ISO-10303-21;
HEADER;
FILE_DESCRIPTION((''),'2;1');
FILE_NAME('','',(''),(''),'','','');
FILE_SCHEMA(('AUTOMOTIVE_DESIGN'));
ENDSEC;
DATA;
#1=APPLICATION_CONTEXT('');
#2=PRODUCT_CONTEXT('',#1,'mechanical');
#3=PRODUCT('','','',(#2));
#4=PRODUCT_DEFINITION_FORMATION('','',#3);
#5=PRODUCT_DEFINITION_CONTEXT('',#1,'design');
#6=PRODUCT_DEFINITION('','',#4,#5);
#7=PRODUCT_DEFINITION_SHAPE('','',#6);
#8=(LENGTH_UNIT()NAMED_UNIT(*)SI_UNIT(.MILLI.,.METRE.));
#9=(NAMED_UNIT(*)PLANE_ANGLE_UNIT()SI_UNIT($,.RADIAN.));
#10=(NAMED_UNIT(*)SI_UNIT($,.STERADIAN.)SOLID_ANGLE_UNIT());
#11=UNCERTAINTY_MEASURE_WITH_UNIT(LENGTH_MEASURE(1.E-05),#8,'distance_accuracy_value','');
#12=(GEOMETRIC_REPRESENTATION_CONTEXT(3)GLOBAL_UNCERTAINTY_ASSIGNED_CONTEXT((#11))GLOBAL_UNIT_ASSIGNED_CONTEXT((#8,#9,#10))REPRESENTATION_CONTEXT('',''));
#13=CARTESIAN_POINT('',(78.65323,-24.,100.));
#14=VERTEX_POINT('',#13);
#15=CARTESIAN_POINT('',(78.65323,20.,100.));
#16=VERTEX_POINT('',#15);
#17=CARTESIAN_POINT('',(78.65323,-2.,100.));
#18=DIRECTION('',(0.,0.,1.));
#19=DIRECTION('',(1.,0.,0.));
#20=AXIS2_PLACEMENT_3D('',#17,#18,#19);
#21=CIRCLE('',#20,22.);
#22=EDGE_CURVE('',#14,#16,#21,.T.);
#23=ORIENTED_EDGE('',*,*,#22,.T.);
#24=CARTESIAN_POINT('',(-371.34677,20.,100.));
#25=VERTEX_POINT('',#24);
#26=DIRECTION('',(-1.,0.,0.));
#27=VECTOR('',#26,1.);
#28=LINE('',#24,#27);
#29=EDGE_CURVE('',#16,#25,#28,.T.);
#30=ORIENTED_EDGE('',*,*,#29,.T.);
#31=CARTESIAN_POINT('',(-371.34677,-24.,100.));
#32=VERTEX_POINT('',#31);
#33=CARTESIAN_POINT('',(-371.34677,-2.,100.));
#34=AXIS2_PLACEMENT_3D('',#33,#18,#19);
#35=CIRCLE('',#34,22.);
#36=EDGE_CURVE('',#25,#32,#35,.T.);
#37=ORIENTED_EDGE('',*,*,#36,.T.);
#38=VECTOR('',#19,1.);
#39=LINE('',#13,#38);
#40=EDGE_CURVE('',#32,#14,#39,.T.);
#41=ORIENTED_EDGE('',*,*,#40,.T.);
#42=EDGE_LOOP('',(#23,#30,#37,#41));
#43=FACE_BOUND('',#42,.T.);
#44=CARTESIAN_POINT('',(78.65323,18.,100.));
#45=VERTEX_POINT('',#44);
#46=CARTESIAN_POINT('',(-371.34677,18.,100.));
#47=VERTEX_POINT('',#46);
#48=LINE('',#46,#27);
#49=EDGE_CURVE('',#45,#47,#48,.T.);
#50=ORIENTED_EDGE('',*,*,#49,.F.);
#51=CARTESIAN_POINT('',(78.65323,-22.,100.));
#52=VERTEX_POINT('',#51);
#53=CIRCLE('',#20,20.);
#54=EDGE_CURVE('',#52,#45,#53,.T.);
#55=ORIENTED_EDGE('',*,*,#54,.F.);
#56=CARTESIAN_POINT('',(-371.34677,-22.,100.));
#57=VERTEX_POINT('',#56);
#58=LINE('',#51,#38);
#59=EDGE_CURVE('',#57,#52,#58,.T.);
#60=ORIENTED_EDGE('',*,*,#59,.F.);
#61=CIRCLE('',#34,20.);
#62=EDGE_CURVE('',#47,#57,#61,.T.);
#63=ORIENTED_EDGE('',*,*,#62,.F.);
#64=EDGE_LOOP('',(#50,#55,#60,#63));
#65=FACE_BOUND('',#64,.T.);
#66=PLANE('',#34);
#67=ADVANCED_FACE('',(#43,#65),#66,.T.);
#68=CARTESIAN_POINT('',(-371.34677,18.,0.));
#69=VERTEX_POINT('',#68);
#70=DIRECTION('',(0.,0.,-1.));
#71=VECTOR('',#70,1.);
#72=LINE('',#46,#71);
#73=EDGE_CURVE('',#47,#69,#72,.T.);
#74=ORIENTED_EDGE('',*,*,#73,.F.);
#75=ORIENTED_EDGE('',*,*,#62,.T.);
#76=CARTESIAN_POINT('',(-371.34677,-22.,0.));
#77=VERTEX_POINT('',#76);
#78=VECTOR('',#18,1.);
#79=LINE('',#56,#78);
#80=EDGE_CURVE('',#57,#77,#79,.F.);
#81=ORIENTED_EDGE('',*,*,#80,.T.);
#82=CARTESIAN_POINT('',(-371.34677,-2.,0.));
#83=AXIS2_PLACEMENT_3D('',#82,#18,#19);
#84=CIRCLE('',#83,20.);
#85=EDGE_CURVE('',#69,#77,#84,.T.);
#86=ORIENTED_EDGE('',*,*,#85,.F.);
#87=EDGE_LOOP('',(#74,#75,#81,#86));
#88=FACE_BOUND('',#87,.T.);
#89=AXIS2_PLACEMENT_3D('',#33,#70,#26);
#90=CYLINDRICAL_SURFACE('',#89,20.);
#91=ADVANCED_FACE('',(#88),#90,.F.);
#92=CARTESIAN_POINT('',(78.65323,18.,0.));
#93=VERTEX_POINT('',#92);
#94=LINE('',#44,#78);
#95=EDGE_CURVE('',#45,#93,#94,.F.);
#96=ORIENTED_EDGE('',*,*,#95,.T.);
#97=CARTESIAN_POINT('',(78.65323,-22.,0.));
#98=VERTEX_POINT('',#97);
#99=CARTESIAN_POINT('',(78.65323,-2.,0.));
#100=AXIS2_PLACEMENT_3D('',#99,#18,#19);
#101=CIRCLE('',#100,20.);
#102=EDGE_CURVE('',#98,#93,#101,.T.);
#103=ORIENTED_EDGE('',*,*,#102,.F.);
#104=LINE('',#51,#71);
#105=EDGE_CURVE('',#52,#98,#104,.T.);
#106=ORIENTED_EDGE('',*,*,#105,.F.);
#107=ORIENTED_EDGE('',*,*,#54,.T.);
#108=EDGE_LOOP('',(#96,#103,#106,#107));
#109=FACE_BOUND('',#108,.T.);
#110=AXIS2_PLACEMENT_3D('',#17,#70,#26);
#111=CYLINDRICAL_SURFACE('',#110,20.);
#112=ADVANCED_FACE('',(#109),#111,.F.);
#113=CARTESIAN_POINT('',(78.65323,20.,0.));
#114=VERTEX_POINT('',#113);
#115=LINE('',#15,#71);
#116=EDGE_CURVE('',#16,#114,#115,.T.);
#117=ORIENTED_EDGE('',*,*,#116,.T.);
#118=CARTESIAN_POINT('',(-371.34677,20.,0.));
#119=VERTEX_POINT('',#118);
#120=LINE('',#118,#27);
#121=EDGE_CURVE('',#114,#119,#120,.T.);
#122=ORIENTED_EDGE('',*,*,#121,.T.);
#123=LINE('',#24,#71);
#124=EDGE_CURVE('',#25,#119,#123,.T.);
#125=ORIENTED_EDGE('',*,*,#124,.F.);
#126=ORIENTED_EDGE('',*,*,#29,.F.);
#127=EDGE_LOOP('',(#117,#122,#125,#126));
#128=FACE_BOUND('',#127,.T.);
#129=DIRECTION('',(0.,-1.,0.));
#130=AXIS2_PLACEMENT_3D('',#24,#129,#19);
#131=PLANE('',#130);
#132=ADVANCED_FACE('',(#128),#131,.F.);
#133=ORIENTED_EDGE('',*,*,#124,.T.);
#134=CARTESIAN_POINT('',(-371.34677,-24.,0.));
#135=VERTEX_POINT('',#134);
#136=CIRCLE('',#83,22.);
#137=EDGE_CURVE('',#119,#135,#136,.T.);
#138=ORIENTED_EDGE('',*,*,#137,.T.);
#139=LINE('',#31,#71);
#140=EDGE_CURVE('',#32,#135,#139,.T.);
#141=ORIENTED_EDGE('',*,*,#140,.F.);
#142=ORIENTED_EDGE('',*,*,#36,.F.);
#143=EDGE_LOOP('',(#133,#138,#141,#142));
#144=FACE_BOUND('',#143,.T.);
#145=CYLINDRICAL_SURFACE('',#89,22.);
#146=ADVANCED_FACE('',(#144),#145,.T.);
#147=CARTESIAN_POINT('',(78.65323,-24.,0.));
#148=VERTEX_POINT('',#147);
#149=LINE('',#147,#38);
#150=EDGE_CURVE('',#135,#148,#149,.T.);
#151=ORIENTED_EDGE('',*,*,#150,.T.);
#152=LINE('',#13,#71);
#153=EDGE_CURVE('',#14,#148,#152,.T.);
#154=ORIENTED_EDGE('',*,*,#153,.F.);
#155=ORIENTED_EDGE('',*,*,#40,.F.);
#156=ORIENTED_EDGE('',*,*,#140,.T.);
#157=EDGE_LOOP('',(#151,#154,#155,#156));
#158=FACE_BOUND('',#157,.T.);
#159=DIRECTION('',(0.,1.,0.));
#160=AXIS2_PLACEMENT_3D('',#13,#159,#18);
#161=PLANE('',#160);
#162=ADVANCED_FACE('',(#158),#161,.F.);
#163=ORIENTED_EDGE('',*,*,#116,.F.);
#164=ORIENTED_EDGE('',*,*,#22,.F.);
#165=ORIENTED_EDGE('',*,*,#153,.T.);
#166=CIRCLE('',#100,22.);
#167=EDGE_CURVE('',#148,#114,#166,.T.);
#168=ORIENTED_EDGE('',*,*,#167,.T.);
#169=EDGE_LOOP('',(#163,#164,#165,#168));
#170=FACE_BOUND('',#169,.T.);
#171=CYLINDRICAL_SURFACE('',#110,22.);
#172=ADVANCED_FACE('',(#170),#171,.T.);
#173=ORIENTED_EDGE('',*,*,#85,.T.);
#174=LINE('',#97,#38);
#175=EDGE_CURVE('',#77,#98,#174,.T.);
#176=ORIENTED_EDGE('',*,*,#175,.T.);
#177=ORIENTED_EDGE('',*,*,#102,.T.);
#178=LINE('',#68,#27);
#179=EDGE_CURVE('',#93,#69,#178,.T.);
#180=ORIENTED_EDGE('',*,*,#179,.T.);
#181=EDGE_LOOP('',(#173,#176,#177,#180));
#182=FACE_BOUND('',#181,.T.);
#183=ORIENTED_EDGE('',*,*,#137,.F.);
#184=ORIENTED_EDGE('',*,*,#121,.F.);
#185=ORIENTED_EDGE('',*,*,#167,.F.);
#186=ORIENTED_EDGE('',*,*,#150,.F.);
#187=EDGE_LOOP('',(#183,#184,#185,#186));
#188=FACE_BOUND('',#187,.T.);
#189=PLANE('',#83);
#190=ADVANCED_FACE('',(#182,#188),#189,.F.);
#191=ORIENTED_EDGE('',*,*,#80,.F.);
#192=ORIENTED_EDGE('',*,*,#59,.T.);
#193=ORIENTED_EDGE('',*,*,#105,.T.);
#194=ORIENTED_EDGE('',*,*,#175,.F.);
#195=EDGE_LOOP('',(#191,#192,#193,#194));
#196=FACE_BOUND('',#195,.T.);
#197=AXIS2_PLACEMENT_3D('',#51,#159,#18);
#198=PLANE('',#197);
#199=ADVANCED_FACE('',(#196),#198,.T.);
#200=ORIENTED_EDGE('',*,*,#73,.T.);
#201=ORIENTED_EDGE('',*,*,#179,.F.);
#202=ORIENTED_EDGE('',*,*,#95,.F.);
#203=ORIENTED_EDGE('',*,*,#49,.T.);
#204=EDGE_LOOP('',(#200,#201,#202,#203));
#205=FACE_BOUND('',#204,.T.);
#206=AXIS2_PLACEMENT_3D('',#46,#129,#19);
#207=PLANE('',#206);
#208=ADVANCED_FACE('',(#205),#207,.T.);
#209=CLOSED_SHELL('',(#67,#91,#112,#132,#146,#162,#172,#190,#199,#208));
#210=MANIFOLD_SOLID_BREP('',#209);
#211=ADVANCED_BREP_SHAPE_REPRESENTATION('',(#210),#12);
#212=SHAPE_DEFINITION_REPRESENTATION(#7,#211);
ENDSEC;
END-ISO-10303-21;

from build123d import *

# Parameters (mm, degrees)
BOSS_EXTRUDE1_DEPTH = 100
SHELL2_T            = -2


with BuildPart() as part:
    # Sketch1 → Boss-Extrude1 (new body)
    with BuildSketch(Plane.XY):
        with BuildLine():
            Line((-371.346770179, 20), (78.653229821, 20))
            ThreePointArc((78.653229821, 20), (100.653229821, -2), (78.653229821, -24))
            Line((78.653229821, -24), (-371.346770179, -24))
            ThreePointArc((-371.346770179, -24), (-393.346770179, -2), (-371.346770179, 20))
        make_face()
    extrude(amount=BOSS_EXTRUDE1_DEPTH)

    # Shell2
    shell2_openings = [part.faces().sort_by_distance(p)[0] for p in [
        (-146.346770179, -2, 100),
        (-146.346770179, -2, 0),
    ]]
    offset(amount=SHELL2_T, openings=shell2_openings, kind=Kind.INTERSECTION)


solid = part.part
